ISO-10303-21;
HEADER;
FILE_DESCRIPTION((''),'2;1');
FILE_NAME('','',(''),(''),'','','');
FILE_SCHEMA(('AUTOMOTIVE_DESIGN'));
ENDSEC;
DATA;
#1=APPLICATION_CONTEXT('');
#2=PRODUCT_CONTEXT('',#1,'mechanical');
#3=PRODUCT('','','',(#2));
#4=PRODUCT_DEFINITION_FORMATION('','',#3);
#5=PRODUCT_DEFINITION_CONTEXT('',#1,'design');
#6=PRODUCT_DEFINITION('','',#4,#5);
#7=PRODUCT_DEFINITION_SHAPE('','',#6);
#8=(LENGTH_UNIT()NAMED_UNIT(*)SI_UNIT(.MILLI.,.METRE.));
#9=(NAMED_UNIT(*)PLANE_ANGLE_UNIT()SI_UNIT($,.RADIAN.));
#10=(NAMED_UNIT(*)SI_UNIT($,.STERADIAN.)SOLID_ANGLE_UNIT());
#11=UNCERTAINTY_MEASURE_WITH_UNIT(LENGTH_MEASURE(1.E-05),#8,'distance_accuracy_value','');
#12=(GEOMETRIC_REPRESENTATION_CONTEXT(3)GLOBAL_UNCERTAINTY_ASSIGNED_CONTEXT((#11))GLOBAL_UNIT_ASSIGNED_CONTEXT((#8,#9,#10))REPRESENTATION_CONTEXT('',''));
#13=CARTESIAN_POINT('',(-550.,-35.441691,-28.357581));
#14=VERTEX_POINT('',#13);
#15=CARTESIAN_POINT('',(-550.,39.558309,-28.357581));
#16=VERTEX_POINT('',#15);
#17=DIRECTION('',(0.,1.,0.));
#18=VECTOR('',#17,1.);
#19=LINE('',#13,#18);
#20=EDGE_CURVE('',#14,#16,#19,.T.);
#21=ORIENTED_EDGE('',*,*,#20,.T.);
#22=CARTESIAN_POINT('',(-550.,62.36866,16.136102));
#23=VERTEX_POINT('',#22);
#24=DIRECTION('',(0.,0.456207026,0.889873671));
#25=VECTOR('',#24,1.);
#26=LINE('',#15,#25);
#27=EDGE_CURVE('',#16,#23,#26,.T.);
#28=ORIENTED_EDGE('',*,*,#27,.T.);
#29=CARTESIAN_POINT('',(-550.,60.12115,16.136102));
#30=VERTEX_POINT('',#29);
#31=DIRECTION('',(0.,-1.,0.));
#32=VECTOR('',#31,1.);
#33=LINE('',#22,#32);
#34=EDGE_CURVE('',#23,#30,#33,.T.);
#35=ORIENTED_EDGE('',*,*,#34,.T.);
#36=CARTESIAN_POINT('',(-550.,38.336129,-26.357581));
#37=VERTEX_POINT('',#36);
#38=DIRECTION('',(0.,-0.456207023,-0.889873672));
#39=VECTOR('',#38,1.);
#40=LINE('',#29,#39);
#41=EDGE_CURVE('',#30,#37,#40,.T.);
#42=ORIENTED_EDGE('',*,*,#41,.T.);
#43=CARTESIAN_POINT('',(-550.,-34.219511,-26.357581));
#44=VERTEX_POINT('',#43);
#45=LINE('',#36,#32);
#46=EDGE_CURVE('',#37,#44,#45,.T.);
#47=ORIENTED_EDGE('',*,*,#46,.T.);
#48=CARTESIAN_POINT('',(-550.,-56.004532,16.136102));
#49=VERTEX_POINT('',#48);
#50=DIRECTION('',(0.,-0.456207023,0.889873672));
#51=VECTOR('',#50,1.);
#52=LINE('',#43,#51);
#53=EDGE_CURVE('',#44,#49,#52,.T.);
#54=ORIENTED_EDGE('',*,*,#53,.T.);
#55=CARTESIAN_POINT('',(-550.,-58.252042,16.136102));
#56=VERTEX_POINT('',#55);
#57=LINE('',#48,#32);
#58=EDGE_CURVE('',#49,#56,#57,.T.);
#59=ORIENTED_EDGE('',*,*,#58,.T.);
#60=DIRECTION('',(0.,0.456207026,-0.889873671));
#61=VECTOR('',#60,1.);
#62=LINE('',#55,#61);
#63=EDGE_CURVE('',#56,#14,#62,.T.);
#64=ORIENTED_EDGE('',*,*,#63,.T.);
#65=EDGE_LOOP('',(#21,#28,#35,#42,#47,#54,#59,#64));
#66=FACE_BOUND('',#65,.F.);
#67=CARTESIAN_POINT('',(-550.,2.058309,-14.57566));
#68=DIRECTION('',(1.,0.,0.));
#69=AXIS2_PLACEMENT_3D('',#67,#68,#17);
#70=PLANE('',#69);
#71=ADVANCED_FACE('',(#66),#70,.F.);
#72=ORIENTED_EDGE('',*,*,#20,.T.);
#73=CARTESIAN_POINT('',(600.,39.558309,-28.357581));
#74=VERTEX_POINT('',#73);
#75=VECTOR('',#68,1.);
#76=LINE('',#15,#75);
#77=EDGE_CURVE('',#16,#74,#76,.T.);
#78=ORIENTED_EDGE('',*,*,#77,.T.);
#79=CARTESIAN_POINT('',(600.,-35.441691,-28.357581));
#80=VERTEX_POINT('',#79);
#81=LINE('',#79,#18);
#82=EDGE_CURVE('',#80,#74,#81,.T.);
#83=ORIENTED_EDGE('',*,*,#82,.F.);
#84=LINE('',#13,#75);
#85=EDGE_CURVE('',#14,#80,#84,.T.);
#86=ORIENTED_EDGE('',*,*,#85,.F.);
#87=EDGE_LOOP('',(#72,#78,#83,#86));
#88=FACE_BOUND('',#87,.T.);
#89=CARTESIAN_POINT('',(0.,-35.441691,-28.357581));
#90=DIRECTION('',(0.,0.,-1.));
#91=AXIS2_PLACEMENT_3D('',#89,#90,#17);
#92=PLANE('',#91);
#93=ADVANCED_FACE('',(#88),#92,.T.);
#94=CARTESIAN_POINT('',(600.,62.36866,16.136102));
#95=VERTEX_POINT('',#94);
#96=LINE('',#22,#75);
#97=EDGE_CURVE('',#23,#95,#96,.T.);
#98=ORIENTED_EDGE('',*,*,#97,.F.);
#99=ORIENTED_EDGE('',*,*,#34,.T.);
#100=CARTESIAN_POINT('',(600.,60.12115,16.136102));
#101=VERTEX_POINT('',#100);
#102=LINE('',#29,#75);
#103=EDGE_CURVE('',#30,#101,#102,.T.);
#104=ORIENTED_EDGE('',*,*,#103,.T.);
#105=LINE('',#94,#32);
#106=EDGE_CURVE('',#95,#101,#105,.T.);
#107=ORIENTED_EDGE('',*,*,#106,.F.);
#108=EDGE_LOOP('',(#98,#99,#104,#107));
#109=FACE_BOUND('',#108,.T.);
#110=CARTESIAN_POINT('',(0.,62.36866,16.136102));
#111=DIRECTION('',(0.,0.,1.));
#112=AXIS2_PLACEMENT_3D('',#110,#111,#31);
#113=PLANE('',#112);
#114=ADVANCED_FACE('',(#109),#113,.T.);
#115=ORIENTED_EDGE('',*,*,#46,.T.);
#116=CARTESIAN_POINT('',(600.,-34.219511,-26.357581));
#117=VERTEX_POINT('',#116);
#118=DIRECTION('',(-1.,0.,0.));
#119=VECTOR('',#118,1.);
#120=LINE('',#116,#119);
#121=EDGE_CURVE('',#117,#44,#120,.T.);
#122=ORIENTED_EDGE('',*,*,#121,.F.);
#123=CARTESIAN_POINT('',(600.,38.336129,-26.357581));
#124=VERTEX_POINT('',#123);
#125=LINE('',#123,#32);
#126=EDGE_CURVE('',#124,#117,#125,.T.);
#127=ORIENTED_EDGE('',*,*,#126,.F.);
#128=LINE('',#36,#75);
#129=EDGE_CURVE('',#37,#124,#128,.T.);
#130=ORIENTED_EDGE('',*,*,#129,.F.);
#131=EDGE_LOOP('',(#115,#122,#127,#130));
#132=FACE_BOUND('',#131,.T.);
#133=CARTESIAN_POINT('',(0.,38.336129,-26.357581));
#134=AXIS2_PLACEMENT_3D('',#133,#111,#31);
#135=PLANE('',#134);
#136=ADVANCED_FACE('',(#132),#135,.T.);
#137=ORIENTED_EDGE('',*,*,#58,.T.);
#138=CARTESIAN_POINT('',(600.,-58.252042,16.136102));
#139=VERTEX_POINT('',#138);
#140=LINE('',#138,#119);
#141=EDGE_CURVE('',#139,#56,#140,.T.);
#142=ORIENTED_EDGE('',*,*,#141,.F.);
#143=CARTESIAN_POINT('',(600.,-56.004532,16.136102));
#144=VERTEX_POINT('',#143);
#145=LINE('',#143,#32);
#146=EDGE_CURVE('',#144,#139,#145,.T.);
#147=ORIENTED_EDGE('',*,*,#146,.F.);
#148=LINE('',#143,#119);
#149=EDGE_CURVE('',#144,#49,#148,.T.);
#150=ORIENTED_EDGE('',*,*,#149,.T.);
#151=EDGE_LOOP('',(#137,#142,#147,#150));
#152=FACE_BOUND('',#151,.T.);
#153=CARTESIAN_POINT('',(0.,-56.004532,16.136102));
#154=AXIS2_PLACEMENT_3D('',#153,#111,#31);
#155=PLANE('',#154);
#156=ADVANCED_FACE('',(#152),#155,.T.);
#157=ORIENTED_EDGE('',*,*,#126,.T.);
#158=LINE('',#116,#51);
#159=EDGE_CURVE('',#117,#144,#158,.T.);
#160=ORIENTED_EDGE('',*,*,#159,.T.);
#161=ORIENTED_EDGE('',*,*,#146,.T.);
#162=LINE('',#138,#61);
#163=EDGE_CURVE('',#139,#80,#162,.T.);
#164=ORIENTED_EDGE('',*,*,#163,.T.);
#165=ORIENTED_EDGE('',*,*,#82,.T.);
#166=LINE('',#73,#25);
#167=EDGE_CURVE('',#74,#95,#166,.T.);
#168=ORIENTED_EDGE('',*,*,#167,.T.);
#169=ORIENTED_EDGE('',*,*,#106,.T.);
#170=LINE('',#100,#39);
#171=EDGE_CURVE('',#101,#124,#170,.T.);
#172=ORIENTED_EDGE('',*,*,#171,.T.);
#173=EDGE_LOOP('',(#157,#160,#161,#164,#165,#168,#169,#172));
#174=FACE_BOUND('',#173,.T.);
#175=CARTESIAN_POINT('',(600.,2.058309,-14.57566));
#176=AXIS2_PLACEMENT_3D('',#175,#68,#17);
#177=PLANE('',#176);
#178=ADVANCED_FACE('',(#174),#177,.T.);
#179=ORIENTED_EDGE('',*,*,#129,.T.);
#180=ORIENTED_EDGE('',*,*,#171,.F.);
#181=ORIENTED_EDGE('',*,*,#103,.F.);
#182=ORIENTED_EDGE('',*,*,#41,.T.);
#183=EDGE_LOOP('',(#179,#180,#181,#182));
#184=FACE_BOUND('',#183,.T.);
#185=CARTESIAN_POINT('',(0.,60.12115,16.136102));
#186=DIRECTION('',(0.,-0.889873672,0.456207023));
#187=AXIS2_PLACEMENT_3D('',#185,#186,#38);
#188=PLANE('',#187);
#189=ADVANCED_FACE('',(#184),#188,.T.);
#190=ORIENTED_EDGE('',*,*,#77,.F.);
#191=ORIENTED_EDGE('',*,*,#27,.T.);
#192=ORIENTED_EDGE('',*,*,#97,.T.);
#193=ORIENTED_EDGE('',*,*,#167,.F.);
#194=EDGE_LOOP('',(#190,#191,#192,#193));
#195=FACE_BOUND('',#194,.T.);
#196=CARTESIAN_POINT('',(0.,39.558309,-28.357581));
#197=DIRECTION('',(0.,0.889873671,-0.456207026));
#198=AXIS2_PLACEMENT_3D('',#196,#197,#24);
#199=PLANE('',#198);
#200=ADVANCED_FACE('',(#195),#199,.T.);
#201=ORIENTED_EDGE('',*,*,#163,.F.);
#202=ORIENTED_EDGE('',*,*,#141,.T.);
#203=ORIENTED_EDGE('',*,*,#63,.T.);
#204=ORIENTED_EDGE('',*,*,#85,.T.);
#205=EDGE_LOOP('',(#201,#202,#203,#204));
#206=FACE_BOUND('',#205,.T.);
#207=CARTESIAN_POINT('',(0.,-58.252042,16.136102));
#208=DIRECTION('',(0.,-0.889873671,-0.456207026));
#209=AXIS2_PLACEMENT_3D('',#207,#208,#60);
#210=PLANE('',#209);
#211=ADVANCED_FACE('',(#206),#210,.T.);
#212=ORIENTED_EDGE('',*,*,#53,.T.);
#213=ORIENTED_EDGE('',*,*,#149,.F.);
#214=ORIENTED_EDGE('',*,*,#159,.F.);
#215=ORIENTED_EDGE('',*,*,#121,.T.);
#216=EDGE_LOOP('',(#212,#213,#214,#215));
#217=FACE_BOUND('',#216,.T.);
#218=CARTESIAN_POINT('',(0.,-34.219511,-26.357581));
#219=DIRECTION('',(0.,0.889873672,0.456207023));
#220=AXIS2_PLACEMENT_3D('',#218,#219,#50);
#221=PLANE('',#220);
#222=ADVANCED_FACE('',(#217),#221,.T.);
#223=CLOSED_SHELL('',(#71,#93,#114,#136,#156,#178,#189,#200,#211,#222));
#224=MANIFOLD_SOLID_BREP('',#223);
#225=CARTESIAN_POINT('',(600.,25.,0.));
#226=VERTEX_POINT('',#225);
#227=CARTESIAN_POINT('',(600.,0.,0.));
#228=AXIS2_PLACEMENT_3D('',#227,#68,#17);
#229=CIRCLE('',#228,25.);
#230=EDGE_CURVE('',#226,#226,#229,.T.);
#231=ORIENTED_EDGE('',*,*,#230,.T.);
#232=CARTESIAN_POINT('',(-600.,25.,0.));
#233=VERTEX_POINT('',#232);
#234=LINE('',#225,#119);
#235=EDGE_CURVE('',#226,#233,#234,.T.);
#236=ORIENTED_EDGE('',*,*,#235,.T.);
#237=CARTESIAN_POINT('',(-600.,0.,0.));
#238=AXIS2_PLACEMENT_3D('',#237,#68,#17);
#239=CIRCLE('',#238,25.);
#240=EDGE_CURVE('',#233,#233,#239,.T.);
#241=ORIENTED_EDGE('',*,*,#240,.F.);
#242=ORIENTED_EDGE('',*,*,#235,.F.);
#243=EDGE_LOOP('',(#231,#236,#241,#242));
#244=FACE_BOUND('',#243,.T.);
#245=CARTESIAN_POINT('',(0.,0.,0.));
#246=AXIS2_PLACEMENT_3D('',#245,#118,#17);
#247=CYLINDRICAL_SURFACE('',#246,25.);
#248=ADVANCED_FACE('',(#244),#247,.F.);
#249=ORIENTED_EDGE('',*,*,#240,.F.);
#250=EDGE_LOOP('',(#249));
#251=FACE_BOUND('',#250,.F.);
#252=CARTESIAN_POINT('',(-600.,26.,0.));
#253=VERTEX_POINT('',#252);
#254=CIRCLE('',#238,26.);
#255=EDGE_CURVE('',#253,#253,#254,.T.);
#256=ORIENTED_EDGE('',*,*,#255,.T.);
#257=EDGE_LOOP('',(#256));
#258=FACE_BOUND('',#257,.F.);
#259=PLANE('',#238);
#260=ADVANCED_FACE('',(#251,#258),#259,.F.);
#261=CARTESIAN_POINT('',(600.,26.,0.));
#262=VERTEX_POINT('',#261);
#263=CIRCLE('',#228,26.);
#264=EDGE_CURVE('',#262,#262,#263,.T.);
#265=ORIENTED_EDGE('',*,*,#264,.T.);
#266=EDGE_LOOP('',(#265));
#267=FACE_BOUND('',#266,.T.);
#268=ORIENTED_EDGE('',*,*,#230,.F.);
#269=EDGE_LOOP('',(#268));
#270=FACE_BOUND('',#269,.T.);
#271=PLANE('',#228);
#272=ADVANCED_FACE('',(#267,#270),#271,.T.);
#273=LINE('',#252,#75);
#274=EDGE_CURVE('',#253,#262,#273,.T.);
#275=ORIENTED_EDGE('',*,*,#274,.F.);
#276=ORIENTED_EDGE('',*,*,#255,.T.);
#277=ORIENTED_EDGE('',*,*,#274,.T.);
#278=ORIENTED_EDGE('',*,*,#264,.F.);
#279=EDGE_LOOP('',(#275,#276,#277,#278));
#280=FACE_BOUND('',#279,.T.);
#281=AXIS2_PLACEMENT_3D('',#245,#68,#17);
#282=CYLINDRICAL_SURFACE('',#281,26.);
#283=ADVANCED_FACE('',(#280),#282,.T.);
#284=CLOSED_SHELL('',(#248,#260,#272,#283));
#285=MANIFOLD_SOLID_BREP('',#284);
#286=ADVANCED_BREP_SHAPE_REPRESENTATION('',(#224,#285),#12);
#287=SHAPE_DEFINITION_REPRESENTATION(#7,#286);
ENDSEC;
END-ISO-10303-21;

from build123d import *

# Parameters (mm, degrees)
F1_DEPTH      = 600
F1_DEPTH_BACK = 550
F2_R          = 26
F2_R_2        = 25
F3_DEPTH      = 600


with BuildPart() as f1:
    # F0 (on Right) → F1 (new body, two sides)
    with BuildSketch(Plane.YZ) as f1_sk:
        Polygon((-58.252042, 16.136102), (-35.441691, -28.357581), (39.558309, -28.357581), (62.36866, 16.136102), (60.12115, 16.136102), (38.336129, -26.357581), (-34.219511, -26.357581), (-56.004532, 16.136102), align=None)
    extrude(amount=F1_DEPTH)
    extrude(f1_sk.sketch, amount=-F1_DEPTH_BACK)


with BuildPart() as f3:
    # F2 (on Right) → F3 (new body, symmetric)
    with BuildSketch(Plane.YZ):
        Circle(F2_R)
        Circle(F2_R_2, mode=Mode.SUBTRACT)
    extrude(amount=F3_DEPTH, both=True)


solid = Compound([f1.part, f3.part])
